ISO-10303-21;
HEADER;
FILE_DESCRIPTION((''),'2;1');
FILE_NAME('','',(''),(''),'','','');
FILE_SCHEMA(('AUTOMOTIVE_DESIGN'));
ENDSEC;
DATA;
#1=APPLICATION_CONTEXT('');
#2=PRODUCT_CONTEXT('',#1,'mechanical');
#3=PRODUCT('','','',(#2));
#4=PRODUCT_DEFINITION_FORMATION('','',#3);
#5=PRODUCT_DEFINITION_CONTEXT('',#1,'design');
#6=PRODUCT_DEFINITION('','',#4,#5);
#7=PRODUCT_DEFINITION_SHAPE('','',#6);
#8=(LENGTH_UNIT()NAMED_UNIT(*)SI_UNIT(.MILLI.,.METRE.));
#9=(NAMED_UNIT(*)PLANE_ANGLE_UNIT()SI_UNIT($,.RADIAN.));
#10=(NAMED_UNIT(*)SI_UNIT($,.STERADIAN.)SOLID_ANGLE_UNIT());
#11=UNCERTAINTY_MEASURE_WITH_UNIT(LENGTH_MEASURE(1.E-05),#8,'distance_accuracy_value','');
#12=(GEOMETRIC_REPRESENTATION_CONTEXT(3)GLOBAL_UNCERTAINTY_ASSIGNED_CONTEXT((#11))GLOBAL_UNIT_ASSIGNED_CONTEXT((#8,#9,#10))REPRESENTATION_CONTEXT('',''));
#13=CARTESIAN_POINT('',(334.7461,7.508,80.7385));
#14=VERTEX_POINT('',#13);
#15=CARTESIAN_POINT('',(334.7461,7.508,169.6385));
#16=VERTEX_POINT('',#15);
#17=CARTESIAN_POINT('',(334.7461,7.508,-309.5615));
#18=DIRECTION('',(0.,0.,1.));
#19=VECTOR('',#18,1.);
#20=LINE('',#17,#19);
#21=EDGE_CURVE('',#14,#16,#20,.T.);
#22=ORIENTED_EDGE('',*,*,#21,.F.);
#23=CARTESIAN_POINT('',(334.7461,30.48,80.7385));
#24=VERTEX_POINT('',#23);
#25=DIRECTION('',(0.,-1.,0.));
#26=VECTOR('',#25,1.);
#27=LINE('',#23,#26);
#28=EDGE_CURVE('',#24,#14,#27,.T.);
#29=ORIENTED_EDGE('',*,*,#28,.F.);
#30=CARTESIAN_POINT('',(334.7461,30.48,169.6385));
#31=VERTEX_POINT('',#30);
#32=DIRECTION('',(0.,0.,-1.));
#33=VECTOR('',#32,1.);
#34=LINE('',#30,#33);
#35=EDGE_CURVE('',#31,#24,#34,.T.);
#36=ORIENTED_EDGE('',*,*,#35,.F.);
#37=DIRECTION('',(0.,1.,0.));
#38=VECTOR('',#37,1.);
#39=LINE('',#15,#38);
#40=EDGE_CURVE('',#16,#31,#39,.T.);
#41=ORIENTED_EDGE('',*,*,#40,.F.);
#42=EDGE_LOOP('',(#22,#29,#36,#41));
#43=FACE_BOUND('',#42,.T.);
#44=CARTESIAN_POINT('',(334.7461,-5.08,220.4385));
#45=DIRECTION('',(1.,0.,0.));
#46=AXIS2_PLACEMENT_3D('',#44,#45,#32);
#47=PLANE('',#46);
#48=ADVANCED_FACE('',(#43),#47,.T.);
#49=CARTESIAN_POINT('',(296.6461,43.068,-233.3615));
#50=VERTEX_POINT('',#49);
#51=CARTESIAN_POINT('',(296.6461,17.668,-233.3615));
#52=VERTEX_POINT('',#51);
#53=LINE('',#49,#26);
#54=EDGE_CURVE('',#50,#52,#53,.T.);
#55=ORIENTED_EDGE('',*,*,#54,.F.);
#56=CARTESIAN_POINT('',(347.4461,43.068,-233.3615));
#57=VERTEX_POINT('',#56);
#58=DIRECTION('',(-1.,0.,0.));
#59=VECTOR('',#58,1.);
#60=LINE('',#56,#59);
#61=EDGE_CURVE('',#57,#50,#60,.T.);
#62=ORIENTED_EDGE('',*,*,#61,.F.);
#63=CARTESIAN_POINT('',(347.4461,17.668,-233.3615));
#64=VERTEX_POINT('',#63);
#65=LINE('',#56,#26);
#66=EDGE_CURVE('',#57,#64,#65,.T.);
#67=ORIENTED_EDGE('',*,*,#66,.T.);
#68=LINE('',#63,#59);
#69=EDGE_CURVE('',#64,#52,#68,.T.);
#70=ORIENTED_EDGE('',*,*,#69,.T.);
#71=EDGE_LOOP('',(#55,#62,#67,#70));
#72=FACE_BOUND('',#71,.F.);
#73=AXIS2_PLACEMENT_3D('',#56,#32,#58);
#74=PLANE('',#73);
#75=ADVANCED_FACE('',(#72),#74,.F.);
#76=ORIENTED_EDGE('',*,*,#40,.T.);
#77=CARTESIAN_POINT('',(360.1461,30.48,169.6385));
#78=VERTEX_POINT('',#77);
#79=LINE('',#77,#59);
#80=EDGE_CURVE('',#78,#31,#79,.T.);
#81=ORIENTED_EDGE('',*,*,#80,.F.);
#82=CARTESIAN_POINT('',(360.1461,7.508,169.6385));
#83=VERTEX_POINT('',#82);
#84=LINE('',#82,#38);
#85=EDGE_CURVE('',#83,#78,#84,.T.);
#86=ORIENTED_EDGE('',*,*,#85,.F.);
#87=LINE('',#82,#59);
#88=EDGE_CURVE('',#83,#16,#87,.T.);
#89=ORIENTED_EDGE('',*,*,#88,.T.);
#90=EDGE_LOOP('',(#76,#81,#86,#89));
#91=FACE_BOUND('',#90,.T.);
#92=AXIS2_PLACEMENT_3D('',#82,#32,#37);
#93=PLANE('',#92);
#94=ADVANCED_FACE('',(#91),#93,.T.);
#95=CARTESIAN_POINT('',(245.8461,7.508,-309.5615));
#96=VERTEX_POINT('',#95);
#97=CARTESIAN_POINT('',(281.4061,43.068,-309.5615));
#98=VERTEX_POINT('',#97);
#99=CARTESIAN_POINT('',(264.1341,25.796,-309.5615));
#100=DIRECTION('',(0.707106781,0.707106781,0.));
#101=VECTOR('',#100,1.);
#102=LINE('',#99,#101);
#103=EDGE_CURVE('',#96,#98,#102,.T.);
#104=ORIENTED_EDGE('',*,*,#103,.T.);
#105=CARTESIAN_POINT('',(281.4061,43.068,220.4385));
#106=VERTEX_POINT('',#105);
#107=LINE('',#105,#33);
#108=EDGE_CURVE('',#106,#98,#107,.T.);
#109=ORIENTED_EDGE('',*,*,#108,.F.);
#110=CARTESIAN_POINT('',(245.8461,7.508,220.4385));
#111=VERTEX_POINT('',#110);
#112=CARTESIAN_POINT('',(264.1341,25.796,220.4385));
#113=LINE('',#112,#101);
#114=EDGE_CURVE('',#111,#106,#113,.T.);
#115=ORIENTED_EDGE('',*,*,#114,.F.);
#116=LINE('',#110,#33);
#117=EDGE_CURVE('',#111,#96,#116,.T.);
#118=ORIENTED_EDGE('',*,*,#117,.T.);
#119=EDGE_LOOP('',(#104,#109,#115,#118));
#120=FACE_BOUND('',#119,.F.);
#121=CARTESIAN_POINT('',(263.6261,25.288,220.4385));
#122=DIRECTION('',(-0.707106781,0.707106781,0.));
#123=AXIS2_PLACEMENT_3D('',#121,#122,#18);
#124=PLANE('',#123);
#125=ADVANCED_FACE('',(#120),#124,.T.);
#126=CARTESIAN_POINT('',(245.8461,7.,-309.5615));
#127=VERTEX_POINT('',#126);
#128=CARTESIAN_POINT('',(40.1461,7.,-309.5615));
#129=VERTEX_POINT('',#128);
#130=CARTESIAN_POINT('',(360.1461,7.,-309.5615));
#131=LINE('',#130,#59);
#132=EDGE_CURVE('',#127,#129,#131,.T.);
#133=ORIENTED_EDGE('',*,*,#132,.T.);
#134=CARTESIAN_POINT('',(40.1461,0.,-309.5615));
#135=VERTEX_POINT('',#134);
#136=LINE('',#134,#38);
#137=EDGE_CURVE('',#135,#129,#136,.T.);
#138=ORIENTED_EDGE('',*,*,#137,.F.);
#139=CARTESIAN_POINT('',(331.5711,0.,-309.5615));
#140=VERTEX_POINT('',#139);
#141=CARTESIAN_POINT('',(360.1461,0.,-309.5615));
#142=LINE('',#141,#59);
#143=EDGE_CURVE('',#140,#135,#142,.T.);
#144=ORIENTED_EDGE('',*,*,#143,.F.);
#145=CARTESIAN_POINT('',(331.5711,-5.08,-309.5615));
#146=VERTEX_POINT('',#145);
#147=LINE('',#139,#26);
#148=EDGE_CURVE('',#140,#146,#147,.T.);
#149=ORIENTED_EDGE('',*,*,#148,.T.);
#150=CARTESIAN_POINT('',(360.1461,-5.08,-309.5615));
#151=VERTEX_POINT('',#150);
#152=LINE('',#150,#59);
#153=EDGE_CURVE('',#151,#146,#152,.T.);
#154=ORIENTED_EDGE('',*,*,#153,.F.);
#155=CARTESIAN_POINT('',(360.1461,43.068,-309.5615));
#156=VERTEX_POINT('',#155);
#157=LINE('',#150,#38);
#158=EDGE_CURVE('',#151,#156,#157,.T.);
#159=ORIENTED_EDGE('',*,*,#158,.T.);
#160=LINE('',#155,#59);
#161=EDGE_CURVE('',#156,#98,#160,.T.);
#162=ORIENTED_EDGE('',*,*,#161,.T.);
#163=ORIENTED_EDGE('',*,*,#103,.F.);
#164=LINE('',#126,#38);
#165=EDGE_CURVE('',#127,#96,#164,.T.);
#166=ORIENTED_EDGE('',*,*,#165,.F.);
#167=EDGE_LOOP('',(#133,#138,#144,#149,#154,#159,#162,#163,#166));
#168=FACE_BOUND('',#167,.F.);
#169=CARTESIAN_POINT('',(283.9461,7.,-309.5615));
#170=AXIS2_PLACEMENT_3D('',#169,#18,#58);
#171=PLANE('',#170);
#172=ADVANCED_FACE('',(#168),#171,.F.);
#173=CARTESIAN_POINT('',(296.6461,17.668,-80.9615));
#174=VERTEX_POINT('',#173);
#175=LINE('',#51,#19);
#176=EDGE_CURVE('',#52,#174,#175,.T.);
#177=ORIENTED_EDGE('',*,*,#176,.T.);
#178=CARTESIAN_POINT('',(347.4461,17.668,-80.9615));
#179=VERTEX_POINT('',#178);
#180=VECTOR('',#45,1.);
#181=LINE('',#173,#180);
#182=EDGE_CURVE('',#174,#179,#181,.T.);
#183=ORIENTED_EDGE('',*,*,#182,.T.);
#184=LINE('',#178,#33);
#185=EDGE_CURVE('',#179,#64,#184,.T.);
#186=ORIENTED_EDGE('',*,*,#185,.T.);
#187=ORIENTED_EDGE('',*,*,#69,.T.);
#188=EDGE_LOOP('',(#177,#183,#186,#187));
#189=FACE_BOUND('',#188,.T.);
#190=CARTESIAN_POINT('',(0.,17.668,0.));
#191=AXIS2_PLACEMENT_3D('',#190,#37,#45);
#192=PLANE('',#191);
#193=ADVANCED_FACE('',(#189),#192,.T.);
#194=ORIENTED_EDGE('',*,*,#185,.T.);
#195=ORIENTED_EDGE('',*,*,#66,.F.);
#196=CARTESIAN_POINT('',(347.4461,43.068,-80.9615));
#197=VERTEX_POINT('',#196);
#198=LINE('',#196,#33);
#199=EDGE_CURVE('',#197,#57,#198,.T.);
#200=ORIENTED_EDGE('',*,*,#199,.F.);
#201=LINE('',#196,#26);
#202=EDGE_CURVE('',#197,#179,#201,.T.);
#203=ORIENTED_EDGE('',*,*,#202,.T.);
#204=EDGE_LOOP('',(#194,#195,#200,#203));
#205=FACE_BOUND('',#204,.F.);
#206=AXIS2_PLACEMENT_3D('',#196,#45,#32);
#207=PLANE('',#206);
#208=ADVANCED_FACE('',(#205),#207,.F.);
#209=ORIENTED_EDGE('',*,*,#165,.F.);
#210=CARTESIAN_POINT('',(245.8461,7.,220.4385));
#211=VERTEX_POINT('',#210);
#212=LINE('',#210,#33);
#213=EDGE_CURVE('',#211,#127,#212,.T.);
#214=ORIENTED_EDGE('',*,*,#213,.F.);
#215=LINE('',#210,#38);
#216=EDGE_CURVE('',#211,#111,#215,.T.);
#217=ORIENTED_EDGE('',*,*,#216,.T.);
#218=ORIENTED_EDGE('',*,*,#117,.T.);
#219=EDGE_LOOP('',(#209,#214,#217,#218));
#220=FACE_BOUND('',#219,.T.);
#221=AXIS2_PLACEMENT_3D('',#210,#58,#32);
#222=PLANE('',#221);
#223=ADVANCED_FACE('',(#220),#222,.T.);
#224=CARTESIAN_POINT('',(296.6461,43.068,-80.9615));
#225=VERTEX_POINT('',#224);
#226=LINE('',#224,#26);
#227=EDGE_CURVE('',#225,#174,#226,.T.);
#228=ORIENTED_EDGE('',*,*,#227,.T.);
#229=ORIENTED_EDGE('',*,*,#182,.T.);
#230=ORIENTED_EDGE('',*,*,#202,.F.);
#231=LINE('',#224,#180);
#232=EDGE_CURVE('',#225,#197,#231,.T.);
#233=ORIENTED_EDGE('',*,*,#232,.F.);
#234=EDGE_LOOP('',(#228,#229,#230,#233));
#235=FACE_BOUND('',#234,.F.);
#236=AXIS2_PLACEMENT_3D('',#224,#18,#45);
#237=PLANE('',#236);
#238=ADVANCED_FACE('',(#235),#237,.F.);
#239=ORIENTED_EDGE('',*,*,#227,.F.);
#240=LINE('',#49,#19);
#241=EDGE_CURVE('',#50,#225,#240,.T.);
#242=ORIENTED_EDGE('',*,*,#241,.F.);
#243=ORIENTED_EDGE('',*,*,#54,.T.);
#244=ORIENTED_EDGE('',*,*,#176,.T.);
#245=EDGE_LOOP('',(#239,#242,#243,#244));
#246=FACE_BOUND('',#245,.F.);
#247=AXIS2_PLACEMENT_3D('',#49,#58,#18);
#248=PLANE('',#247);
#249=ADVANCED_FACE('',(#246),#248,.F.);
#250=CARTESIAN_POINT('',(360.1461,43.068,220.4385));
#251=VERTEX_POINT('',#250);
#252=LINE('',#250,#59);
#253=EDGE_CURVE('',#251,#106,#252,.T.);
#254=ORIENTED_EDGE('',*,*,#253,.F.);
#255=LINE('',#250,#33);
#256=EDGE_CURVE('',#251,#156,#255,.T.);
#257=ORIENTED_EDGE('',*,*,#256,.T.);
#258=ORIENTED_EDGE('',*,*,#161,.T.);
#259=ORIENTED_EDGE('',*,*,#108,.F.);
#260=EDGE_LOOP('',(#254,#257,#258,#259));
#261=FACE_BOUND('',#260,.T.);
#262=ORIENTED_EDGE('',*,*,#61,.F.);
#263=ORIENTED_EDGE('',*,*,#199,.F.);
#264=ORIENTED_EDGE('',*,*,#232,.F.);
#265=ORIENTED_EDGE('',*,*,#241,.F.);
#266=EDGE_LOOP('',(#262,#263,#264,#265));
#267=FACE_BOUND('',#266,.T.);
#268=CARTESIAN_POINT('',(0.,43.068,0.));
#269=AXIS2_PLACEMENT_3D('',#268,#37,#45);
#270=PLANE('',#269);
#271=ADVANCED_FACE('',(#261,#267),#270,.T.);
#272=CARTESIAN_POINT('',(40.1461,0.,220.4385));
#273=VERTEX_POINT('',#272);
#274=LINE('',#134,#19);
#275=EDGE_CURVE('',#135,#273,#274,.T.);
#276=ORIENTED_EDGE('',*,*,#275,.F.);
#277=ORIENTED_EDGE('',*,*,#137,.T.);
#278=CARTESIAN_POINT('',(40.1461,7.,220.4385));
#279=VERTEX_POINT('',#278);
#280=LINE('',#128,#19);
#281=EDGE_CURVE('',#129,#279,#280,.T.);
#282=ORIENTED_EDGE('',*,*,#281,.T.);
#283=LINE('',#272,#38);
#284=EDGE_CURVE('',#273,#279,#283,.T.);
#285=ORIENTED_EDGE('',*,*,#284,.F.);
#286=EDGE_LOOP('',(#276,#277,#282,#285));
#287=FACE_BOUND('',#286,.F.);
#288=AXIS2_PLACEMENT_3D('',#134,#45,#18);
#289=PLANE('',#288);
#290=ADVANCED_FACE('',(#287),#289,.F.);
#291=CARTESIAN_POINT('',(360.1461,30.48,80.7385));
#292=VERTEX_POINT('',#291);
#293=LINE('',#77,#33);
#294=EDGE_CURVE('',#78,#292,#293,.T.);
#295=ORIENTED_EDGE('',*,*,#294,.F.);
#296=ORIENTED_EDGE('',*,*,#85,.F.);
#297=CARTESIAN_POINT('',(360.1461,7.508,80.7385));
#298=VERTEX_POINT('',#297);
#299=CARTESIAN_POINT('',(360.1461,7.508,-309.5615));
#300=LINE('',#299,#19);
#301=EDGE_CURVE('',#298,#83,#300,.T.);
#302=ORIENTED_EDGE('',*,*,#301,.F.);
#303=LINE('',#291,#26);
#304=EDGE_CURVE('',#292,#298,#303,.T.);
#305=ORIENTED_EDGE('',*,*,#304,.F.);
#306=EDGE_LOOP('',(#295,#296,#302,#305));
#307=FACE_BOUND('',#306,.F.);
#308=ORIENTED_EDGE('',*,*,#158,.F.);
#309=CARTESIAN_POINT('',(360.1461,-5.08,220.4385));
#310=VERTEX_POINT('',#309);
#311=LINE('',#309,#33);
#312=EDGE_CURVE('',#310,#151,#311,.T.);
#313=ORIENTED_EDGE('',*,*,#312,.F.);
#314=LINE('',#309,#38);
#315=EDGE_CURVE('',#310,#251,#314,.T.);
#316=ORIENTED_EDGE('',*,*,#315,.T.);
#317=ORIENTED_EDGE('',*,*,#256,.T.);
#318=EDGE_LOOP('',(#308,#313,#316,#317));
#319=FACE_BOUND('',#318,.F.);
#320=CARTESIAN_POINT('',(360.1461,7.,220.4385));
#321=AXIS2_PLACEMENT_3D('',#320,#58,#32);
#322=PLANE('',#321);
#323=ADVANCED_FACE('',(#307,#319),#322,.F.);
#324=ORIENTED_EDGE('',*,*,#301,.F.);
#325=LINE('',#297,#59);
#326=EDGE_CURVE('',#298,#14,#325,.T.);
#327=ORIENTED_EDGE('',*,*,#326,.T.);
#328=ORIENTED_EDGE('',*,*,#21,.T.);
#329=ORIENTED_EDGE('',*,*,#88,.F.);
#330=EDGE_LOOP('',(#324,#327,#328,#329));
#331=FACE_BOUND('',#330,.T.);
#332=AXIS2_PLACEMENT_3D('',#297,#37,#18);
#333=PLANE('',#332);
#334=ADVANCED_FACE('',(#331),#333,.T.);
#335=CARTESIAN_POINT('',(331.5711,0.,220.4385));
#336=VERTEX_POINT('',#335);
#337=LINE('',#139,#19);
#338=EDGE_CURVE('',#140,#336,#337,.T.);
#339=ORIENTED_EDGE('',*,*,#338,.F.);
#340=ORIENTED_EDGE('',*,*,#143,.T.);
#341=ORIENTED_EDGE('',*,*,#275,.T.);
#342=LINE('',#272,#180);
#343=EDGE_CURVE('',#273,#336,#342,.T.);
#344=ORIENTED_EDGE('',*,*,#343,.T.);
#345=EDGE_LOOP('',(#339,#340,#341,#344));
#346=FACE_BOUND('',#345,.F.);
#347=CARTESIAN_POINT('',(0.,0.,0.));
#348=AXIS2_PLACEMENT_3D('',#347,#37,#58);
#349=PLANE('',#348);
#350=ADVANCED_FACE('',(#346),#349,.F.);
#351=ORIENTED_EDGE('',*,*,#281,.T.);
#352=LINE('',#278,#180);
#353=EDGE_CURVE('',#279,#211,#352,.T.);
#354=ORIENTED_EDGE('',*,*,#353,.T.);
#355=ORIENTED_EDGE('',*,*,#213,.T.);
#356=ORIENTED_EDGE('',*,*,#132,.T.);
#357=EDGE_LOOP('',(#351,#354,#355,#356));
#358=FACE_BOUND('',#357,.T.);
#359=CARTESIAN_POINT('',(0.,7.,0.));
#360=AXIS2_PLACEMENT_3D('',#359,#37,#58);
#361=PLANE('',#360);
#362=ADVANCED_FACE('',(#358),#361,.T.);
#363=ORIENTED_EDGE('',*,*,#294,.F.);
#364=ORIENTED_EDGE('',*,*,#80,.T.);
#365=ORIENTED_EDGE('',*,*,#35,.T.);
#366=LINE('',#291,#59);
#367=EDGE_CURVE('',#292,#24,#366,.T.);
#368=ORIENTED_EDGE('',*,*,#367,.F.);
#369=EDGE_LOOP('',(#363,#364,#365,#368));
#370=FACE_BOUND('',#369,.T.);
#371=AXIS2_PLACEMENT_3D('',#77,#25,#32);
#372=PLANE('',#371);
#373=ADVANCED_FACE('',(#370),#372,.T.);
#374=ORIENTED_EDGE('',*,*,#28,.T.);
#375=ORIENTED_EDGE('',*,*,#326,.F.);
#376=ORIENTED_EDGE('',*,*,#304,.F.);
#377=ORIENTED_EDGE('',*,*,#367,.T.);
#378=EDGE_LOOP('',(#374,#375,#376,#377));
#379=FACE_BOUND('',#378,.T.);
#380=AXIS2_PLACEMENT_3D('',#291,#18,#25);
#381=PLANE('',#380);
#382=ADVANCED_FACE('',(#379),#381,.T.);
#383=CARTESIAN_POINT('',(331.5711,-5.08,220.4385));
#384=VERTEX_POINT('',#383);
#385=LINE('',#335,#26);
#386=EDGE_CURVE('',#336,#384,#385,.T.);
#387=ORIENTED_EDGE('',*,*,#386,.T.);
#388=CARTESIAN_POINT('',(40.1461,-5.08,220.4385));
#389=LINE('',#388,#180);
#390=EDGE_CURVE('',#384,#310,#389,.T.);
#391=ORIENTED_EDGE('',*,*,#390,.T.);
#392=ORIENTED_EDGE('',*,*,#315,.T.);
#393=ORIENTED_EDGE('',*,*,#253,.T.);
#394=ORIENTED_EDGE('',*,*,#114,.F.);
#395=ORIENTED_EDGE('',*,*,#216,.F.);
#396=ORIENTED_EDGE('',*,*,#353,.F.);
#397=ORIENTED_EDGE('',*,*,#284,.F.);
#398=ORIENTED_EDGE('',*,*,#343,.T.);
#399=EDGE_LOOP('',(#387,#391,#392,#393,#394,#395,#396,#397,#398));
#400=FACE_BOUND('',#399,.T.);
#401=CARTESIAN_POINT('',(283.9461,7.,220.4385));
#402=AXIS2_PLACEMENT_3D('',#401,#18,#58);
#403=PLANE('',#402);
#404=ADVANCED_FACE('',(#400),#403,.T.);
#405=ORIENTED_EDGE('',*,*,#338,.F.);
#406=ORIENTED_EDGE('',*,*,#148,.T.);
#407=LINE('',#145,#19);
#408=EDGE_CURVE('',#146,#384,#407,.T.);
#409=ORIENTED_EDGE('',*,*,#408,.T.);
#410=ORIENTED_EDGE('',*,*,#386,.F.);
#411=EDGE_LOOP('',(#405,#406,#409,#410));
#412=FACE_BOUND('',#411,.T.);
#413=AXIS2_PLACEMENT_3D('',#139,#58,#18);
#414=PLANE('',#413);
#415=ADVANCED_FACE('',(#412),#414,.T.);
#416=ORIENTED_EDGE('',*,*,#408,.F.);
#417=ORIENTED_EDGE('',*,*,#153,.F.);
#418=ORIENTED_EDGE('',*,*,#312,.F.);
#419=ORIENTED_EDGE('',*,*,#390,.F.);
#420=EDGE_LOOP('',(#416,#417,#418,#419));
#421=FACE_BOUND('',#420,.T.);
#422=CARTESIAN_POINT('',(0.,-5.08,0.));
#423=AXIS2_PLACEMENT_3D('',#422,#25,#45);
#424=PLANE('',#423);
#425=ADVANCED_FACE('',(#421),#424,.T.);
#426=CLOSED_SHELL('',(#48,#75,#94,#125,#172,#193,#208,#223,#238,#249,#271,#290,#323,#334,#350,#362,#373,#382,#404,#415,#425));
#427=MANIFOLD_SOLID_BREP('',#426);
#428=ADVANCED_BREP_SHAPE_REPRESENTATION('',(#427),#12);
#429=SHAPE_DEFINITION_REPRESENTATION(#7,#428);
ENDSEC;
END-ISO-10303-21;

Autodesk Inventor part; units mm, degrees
ref_plane "YZ Plane" through (0, 0, 0) normal (1, 0, 0) x (0, 1, 0)
ref_plane "XZ Plane" through (0, 0, 0) normal (0, 1, 0) x (-1, 0, 0)
ref_plane "XY Plane" through (0, 0, 0) normal (0, 0, 1) x (1, 0, 0)
sketch "Sketch1" plane through (0, 0, 0) normal (0, 1, 0) x (-1, 0, 0)
  line L0 (-40.1461, 220.4385) -> (-360.1461, 220.4385)
  line L1 (-360.1461, 220.4385) -> (-360.1461, -309.5615)
  line L2 (-360.1461, -309.5615) -> (-40.1461, -309.5615)
  line L3 (-40.1461, -309.5615) -> (-40.1461, 220.4385)
  point P0 (0, 0)
  dimension "d0" = 530
  dimension "d1" = 320
extrude "Extrusion1" add sketch "Sketch1" along normal blind 7
sketch "Sketch7" plane through (0, 0, 0) normal (0, -1, 0) x (1, 0, 0)
  line L0 (360.1461, 220.4385) -> (360.1461, -309.5615) projected
  line L1 (40.1461, 220.4385) -> (360.1461, 220.4385) projected
  line L2 (360.1461, -309.5615) -> (331.5711, -309.5615)
  line L3 (331.5711, -309.5615) -> (331.5711, 220.4385)
  line L4 (331.5711, 220.4385) -> (360.1461, 220.4385)
  line L5 (360.1461, 220.4385) -> (360.1461, -309.5615)
  point P0 (0, 0)
  dimension "d15" = 28.575
extrude "Extrusion5" add sketch "Sketch7" along normal blind 5.08
sketch "Sketch8" plane through (0, 7, 0) normal (0, 1, 0) x (1, 0, 0)
  line L0 (360.1461, -220.4385) -> (360.1461, 309.5615) projected
  line L1 (360.1461, 309.5615) -> (40.1461, 309.5615) projected
  line L2 (360.1461, -220.4385) -> (283.9461, -220.4385)
  line L3 (283.9461, -220.4385) -> (283.9461, 309.5615)
  line L4 (283.9461, 309.5615) -> (360.1461, 309.5615)
  line L5 (360.1461, 309.5615) -> (360.1461, -220.4385)
  point P0 (0, 0)
  dimension "d18" = 76.2
extrude "Extrusion6" add sketch "Sketch8" along normal blind 36.068
sketch "Sketch9" plane through (0, 7, 0) normal (0, 1, 0) x (1, 0, 0)
  line L0 (283.9461, 309.5615) -> (283.9461, -220.4385) projected
  line L1 (283.9461, 309.5615) -> (40.1461, 309.5615) projected
  line L2 (283.9461, -220.4385) -> (245.8461, -220.4385)
  line L3 (245.8461, -220.4385) -> (245.8461, 309.5615)
  line L4 (245.8461, 309.5615) -> (283.9461, 309.5615)
  line L5 (283.9461, 309.5615) -> (283.9461, -220.4385)
  point P0 (0, 0)
  dimension "d21" = 38.1
extrude "Extrusion7" add sketch "Sketch9" along normal blind 36.068
chamfer "Chamfer1" distance 35.56 angle 45 1 edges at (245.8461, 43.068, -44.5615) measured on face at (245.8461, 19.0227, -132.8949)
sketch "Sketch10" plane through (0, 43.068, 0) normal (0, 1, 0) x (1, 0, 0)
  line L0 (296.6461, 80.9615) -> (347.4461, 80.9615)
  line L1 (347.4461, 80.9615) -> (347.4461, 233.3615)
  line L2 (347.4461, 233.3615) -> (296.6461, 233.3615)
  line L3 (296.6461, 233.3615) -> (296.6461, 80.9615)
  line L4 (360.1461, 309.5615) -> (281.4061, 309.5615) projected
  line L5 (360.1461, -220.4385) -> (360.1461, 309.5615) projected
  point P0 (0, 0)
  dimension "d27" = 76.2
  dimension "d28" = 228.6
  dimension "d29" = 12.7
  dimension "d30" = 63.5
extrude "Extrusion8" cut sketch "Sketch10" against normal blind 25.4
sketch "Sketch11" plane through (360.1461, -5.08, 220.4385) normal (1, 0, 0) x (0, 0, -1)
  line L0 (530, 12.588) -> (0, 12.588) projected
  line L1 (50.8, 35.56) -> (139.7, 35.56)
  line L2 (139.7, 35.56) -> (139.7, 12.588)
  line L3 (139.7, 12.588) -> (50.8, 12.588)
  line L4 (50.8, 12.588) -> (50.8, 35.56)
  line L5 (0, 48.148) -> (0, 0) projected
  line L6 (530, 0) -> (0, 0) projected
  line L7 (0, 48.148) -> (530, 48.148) projected
  point P0 (220.4385, 5.08)
  dimension "d33" = 50.8
  dimension "d34" = 139.7
  dimension "d35" = 12.588
  dimension "d36" = 12.588
extrude "Extrusion9" cut sketch "Sketch11" against normal blind 25.4
ref_plane "Work Plane2" through (185.8586, 0, -309.5615) normal (-1, 0, 0) x (0, 0, 1)
equation "\"d36\" = d35"
properties part number "Mock Acer SB230"
